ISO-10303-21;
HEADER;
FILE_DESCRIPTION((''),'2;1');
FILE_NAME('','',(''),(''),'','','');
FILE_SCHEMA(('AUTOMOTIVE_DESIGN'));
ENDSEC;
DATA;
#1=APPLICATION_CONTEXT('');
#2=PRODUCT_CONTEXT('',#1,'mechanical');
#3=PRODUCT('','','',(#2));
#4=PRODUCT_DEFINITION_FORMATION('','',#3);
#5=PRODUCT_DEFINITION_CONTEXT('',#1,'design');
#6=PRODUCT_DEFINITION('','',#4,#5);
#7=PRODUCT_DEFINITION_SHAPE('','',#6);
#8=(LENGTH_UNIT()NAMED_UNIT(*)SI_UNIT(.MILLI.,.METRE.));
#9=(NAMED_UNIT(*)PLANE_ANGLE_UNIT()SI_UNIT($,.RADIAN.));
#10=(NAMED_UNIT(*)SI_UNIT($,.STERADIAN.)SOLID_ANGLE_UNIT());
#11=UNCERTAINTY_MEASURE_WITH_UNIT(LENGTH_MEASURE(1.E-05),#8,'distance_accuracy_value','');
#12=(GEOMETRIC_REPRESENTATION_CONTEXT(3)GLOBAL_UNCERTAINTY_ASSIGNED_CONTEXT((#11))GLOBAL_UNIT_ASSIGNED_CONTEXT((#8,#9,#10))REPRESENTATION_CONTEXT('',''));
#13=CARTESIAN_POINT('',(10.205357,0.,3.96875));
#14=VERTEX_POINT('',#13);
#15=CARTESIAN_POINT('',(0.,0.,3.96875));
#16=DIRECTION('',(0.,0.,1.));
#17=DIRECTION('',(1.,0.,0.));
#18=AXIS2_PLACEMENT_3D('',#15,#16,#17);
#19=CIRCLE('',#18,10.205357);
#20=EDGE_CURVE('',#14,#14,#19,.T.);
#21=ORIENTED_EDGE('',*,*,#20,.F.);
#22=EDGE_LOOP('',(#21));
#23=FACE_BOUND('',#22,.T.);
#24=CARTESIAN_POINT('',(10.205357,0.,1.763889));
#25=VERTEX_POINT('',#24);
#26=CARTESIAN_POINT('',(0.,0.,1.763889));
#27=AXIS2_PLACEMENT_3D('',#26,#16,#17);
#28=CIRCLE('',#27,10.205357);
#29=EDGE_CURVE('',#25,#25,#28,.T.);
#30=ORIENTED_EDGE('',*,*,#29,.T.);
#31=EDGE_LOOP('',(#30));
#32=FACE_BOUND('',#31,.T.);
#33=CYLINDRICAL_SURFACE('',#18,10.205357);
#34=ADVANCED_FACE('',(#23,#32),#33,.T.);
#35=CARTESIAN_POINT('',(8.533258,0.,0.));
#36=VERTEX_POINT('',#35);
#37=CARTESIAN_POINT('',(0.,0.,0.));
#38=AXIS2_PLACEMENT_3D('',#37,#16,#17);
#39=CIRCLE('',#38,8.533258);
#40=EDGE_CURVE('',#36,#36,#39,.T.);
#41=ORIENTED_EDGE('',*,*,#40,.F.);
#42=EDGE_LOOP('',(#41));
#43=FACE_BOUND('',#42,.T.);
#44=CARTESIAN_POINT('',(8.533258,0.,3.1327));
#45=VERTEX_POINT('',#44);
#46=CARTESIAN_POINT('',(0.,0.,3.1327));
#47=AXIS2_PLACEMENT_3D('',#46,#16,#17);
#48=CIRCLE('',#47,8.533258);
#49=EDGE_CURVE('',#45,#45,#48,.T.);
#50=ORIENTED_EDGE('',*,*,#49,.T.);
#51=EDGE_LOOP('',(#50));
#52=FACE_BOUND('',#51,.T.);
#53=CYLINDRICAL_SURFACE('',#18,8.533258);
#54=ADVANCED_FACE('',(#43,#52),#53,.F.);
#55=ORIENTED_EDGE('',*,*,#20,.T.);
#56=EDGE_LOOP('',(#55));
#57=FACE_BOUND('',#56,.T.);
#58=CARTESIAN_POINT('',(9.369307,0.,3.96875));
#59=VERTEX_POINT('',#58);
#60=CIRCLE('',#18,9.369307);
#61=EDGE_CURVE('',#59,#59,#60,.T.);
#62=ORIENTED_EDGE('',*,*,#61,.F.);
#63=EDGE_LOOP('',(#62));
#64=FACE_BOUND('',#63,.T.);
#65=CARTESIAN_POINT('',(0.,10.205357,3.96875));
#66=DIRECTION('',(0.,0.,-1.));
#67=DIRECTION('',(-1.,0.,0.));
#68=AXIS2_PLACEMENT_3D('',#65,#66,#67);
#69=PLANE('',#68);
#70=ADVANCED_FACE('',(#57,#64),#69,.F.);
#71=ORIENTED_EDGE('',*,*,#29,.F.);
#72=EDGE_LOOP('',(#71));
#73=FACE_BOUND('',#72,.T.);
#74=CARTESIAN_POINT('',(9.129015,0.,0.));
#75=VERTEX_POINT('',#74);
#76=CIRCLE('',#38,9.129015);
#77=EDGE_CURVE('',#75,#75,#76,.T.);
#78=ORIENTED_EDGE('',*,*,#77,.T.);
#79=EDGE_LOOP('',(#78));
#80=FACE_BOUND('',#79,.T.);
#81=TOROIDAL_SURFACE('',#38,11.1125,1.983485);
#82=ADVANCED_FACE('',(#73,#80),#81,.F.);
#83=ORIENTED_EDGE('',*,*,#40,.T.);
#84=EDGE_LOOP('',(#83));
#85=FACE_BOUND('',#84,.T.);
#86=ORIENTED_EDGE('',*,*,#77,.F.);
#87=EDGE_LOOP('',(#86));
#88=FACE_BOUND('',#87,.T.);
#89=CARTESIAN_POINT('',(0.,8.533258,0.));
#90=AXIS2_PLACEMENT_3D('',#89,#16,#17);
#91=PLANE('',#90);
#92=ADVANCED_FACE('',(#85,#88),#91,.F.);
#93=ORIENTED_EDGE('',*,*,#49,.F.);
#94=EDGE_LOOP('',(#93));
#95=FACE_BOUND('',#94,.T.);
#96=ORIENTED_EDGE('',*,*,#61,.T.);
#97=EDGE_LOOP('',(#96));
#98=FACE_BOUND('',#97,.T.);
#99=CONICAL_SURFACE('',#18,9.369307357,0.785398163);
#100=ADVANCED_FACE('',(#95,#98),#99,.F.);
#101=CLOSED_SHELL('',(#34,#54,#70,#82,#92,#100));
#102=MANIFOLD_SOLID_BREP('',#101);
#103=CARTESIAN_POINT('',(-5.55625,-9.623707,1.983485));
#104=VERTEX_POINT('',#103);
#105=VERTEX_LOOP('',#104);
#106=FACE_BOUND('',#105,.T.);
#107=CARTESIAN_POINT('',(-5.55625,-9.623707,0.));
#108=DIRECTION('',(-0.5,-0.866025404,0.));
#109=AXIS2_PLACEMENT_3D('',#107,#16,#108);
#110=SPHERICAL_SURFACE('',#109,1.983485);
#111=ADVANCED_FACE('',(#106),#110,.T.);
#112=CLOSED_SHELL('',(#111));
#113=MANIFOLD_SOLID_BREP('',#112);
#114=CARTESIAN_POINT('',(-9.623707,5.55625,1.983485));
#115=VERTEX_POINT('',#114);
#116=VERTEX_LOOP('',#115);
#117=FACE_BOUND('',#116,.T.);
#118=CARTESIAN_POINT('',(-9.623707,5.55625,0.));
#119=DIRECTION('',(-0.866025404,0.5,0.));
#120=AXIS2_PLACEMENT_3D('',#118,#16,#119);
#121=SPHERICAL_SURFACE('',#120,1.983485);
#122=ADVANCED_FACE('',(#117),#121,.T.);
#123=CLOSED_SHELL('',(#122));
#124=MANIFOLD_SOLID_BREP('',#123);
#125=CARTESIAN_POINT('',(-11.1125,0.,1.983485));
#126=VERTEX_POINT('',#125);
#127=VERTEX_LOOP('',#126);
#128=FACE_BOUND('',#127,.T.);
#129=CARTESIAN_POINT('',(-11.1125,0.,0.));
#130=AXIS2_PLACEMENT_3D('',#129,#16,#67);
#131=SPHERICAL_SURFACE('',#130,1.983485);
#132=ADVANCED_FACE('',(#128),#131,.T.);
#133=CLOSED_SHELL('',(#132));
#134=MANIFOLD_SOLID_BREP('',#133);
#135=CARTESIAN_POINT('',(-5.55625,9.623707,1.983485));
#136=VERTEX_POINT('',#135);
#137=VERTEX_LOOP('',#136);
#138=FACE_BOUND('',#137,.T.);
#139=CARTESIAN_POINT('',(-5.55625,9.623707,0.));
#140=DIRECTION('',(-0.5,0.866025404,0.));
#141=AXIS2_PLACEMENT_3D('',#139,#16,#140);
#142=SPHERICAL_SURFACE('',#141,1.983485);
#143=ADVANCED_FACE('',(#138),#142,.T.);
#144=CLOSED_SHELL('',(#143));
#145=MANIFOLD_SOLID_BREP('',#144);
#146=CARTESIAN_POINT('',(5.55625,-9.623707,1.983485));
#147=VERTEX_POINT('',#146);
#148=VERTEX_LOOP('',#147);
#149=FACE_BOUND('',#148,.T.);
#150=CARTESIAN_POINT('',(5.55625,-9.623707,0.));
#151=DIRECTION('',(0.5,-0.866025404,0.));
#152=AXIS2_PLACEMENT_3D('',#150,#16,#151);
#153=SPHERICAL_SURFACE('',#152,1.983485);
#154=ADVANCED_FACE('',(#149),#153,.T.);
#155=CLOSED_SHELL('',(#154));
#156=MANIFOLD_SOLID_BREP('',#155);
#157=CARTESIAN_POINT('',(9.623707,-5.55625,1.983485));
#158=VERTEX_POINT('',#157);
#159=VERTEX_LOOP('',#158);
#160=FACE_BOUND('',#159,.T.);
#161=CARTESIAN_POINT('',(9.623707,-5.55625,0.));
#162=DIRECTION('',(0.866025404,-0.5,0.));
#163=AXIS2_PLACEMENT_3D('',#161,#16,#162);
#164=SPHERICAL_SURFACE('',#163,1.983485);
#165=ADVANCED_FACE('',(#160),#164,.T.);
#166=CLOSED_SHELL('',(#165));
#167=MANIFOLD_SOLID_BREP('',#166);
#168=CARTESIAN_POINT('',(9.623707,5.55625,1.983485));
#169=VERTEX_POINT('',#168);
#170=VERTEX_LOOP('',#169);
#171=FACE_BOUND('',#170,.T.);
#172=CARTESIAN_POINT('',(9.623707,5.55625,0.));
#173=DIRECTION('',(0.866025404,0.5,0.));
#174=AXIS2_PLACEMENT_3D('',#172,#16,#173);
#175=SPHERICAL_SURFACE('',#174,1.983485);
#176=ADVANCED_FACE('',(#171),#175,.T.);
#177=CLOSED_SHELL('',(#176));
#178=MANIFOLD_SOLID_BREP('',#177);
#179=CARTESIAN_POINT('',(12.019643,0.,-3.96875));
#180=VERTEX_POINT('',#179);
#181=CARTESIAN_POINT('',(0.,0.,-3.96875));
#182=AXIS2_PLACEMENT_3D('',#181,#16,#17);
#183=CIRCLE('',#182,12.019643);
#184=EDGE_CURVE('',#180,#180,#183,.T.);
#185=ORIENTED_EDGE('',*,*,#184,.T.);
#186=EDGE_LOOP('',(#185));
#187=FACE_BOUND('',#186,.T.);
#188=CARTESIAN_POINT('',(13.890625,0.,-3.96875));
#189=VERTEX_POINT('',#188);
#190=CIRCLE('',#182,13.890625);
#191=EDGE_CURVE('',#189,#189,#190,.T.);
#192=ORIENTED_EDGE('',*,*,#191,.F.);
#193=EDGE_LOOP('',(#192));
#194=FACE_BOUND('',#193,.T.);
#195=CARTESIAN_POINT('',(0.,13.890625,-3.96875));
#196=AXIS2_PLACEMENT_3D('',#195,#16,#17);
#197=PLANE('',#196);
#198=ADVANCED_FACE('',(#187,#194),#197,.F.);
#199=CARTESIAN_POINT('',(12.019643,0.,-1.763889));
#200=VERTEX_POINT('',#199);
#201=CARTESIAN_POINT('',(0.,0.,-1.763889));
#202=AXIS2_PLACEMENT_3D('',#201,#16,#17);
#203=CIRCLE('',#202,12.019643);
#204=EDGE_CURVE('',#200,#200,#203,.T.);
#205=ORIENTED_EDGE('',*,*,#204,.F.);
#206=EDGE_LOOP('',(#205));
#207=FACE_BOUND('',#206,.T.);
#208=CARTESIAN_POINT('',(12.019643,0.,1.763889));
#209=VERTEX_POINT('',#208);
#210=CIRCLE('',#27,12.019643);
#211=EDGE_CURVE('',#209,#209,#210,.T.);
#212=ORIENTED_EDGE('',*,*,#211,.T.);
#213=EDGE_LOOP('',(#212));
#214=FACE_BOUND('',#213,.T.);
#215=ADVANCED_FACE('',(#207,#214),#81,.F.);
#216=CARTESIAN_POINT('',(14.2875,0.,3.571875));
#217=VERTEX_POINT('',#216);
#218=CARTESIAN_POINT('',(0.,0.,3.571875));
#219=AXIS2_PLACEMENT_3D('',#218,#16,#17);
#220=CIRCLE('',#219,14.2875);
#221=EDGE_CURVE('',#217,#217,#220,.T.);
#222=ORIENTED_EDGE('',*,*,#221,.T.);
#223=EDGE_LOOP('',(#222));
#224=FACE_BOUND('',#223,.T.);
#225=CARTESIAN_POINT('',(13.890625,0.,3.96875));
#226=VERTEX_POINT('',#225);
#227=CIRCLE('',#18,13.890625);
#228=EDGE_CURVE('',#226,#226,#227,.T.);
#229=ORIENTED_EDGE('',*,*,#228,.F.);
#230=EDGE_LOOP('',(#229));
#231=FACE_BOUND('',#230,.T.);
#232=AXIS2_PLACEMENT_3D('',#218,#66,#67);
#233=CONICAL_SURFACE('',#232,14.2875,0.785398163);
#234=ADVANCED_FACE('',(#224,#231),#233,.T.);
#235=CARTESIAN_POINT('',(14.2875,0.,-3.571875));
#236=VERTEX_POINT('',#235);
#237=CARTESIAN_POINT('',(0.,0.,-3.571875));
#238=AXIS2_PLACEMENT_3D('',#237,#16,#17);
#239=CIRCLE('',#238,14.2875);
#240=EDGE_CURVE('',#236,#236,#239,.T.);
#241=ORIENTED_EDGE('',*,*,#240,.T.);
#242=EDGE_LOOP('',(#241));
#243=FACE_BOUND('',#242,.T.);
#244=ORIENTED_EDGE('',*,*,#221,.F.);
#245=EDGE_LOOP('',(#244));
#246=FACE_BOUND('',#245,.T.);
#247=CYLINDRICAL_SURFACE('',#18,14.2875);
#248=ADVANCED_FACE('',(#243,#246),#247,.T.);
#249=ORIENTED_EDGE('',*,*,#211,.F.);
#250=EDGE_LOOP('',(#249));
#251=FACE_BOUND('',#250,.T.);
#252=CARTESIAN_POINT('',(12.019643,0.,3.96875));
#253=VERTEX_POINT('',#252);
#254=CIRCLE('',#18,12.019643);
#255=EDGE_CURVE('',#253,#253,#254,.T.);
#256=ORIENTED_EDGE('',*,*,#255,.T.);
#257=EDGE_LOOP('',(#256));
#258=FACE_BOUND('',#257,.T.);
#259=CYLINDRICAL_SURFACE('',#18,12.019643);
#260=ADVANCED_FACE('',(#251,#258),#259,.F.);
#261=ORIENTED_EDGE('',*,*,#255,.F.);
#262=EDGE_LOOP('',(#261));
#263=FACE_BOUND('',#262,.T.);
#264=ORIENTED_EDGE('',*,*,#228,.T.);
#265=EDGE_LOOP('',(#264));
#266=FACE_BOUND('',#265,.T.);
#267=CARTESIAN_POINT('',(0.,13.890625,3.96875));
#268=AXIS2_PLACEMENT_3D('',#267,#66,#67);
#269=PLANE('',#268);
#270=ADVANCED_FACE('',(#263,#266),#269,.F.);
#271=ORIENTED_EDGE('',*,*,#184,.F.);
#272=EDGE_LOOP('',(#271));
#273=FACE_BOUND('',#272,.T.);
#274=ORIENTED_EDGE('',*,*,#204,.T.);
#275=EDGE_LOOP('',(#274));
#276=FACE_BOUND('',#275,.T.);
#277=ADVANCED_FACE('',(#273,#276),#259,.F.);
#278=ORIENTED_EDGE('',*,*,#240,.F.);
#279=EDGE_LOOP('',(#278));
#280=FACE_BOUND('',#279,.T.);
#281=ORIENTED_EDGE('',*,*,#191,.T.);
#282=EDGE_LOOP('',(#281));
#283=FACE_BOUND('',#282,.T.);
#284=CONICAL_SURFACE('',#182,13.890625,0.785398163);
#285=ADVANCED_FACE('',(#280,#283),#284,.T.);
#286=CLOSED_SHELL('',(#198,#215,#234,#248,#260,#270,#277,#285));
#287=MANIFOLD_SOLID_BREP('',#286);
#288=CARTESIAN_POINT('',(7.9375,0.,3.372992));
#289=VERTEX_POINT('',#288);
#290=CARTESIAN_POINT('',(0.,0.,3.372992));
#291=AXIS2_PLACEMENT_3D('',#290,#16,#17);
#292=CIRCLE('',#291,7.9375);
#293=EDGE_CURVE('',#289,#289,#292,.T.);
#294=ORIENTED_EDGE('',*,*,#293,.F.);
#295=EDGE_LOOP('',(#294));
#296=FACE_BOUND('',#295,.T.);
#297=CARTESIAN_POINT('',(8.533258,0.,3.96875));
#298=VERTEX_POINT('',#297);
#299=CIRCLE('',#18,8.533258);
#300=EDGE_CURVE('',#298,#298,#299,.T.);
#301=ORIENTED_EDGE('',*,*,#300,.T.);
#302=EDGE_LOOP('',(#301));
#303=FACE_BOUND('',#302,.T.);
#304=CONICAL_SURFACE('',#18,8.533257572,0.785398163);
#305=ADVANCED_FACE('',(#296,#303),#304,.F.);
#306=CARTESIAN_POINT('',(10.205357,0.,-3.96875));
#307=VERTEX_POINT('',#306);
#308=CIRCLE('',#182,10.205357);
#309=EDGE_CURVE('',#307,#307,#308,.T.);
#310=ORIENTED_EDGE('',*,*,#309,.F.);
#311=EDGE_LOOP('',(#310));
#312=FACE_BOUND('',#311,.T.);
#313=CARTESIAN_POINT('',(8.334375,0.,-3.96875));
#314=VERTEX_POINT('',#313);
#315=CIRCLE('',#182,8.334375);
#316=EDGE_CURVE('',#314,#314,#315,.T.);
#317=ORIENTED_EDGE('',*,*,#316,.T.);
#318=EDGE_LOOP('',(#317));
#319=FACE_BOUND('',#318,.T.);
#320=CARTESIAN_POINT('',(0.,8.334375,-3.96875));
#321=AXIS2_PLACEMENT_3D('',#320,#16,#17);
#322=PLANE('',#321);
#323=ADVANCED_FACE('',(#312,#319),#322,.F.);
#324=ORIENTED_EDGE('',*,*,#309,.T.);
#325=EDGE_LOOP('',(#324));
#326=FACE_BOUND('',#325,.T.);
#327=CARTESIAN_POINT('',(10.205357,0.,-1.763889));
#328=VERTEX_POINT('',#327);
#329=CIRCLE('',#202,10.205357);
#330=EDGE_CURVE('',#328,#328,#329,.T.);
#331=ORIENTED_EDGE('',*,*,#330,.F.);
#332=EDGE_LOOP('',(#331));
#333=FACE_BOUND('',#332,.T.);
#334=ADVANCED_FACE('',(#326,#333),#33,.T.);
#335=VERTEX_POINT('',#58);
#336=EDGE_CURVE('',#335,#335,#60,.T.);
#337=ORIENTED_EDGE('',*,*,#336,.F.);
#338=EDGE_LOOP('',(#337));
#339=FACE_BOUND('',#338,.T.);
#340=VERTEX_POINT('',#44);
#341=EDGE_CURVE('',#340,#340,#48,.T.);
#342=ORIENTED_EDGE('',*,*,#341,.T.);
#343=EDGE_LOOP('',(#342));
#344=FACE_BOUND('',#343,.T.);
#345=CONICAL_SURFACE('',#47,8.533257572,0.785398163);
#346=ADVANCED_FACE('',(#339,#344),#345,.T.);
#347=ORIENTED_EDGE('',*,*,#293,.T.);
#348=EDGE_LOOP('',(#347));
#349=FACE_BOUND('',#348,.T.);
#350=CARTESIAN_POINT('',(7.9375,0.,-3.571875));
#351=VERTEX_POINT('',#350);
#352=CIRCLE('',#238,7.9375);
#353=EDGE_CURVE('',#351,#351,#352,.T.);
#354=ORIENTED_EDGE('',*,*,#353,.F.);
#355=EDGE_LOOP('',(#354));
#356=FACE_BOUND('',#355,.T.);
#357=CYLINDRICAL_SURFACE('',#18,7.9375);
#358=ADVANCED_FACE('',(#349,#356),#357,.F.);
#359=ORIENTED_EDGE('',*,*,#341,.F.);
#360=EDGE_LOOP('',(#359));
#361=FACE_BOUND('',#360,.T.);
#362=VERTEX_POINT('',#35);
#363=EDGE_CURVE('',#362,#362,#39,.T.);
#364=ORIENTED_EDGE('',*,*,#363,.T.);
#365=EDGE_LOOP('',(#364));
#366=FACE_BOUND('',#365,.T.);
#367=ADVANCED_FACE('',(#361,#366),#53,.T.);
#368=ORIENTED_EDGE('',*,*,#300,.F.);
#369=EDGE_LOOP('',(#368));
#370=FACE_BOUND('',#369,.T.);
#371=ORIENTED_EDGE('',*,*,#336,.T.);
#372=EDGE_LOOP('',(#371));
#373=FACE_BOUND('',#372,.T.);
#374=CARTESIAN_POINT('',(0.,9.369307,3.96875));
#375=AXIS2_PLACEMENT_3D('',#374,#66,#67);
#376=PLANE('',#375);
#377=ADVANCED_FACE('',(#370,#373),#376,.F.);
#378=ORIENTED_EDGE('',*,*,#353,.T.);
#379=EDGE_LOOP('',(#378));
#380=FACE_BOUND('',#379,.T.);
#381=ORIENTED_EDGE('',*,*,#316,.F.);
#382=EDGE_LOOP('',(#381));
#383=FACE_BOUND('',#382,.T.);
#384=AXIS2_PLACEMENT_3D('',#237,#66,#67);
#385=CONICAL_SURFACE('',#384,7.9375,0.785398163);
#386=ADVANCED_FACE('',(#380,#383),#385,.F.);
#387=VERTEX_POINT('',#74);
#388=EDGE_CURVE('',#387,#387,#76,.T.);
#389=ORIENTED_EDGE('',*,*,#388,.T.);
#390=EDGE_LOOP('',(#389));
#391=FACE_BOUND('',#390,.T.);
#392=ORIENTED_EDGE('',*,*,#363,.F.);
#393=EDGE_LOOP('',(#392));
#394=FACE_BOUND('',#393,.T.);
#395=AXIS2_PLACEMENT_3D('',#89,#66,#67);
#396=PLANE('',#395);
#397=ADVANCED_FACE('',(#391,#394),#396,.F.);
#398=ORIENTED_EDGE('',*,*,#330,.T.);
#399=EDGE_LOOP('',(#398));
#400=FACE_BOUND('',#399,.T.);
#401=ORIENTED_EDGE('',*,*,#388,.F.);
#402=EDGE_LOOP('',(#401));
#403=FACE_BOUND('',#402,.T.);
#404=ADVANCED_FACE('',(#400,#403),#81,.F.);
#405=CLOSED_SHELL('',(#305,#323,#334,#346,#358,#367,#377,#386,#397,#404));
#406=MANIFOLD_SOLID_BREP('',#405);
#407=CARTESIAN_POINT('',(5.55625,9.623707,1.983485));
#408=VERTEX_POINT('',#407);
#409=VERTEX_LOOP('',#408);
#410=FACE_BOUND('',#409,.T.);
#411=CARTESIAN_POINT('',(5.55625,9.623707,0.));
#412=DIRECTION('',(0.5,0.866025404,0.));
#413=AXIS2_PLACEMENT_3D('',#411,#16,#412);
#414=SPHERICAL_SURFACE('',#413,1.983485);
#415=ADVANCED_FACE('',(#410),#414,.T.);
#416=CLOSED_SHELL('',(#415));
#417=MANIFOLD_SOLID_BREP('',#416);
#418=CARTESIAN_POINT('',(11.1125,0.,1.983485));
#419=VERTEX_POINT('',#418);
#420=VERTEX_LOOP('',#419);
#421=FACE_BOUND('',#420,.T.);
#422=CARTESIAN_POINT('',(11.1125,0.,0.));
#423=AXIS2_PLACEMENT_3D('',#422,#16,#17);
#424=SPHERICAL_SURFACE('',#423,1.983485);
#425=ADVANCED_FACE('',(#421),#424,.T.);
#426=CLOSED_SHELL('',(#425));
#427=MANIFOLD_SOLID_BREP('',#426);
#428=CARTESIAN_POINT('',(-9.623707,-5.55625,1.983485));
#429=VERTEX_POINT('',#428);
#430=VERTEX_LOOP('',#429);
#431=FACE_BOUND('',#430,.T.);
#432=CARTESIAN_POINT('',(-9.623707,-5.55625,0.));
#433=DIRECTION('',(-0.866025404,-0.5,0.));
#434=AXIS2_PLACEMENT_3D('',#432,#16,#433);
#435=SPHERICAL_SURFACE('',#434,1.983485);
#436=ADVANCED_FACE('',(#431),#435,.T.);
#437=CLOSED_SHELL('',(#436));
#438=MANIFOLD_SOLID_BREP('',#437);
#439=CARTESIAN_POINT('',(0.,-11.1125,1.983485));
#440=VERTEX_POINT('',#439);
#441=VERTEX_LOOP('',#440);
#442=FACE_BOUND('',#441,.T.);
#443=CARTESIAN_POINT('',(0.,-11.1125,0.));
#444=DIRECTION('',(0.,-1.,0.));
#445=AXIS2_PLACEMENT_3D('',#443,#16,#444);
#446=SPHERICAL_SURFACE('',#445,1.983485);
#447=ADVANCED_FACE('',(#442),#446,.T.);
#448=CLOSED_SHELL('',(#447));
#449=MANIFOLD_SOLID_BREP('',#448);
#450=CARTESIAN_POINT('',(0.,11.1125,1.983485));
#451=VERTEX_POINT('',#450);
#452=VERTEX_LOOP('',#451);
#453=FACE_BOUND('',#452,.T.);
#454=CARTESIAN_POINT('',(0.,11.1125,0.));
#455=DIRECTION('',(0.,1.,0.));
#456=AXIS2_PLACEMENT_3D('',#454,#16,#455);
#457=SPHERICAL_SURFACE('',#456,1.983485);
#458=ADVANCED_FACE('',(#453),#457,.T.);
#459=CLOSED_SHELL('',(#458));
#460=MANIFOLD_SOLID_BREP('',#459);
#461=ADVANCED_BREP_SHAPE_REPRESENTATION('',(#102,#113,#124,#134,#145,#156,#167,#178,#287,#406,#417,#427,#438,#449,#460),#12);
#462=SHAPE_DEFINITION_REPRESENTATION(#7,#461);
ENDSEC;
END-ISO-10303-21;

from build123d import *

# Parameters (mm, degrees)
CIRPATTERN1_COUNT = 12


with BuildPart() as part:
    # Sketch1 → Revolve1 (revolve)
    with BuildSketch(Plane(origin=(0, 0, 0), x_dir=(0, 0, -1), z_dir=(1, 0, 0))):
        with BuildLine():
            Line((3.571875, 14.2875), (-3.571875, 14.2875))
            Line((-3.571875, 14.2875), (-3.96875, 13.890625))
            Line((-3.96875, 13.890625), (-3.96875, 12.019642857))
            Line((-3.96875, 12.019642857), (-1.763888889, 12.019642857))
            ThreePointArc((-1.763888889, 12.019642857), (0, 13.095984856), (1.763888889, 12.019642857))
            Line((1.763888889, 12.019642857), (3.96875, 12.019642857))
            Line((3.96875, 12.019642857), (3.96875, 13.890625))
            Line((3.96875, 13.890625), (3.571875, 14.2875))
        make_face()
    revolve(axis=Axis((0, 0, 3.96875), (0, 0, -1)))


with BuildPart() as body_2:
    # Sketch2 → Revolve2 (revolve)
    with BuildSketch(Plane(origin=(0, 0, 0), x_dir=(0, 0, -1), z_dir=(1, 0, 0))):
        with BuildLine():
            Line((-3.96875, 10.205357143), (-1.763888889, 10.205357143))
            ThreePointArc((-1.763888889, 10.205357143), (-1.033176668, 9.419349638), (0, 9.129015144))
            Line((0, 9.129015144), (0, 8.533257572))
            Line((0, 8.533257572), (-3.132700214, 8.533257572))
            Line((-3.132700214, 8.533257572), (-3.96875, 9.369307357))
            Line((-3.96875, 9.369307357), (-3.96875, 10.205357143))
        make_face()
    revolve(axis=Axis((0, 0, 3.96875), (0, 0, -1)))


with BuildPart() as body_3:
    # Sketch3 → Revolve3 (revolve)
    with BuildSketch(Plane(origin=(0, 0, 0), x_dir=(0, 0, -1), z_dir=(1, 0, 0))):
        with BuildLine():
            Line((-3.96875, 9.369307357), (-3.132700214, 8.533257572))
            Line((-3.132700214, 8.533257572), (0, 8.533257572))
            Line((0, 8.533257572), (0, 9.129015144))
            ThreePointArc((0, 9.129015144), (1.033176668, 9.419349638), (1.763888889, 10.205357143))
            Line((1.763888889, 10.205357143), (3.96875, 10.205357143))
            Line((3.96875, 10.205357143), (3.96875, 8.334375))
            Line((3.96875, 8.334375), (3.571875, 7.9375))
            Line((3.571875, 7.9375), (-3.372992428, 7.9375))
            Line((-3.372992428, 7.9375), (-3.96875, 8.533257572))
            Line((-3.96875, 8.533257572), (-3.96875, 9.369307357))
        make_face()
    revolve(axis=Axis((0, 0, 3.96875), (0, 0, -1)))


with BuildPart() as body_4:
    # Sketch4 → Revolve4 (revolve)
    with BuildSketch(Plane(origin=(0, 0, 0), x_dir=(0, 0, -1), z_dir=(1, 0, 0))):
        with BuildLine():
            Line((-1.983484856, 11.1125), (1.983484856, 11.1125))
            ThreePointArc((1.983484856, 11.1125), (0, 13.095984856), (-1.983484856, 11.1125))
        make_face()
    revolve(axis=Axis((0, 11.1125, 1.983484856), (0, 0, -1)))


with BuildPart() as cirpattern1_1:
    # CirPattern1: pattern copy
    add(body_4.part.rotate(Axis((0, 0, -3.96875), (0, 0, 1)), 1 * 360 / CIRPATTERN1_COUNT))


with BuildPart() as cirpattern1_2:
    # CirPattern1: pattern copy
    add(body_4.part.rotate(Axis((0, 0, -3.96875), (0, 0, 1)), 2 * 360 / CIRPATTERN1_COUNT))


with BuildPart() as cirpattern1_3:
    # CirPattern1: pattern copy
    add(body_4.part.rotate(Axis((0, 0, -3.96875), (0, 0, 1)), 3 * 360 / CIRPATTERN1_COUNT))


with BuildPart() as cirpattern1_4:
    # CirPattern1: pattern copy
    add(body_4.part.rotate(Axis((0, 0, -3.96875), (0, 0, 1)), 4 * 360 / CIRPATTERN1_COUNT))


with BuildPart() as cirpattern1_5:
    # CirPattern1: pattern copy
    add(body_4.part.rotate(Axis((0, 0, -3.96875), (0, 0, 1)), 5 * 360 / CIRPATTERN1_COUNT))


with BuildPart() as cirpattern1_6:
    # CirPattern1: pattern copy
    add(body_4.part.rotate(Axis((0, 0, -3.96875), (0, 0, 1)), 6 * 360 / CIRPATTERN1_COUNT))


with BuildPart() as cirpattern1_7:
    # CirPattern1: pattern copy
    add(body_4.part.rotate(Axis((0, 0, -3.96875), (0, 0, 1)), 7 * 360 / CIRPATTERN1_COUNT))


with BuildPart() as cirpattern1_8:
    # CirPattern1: pattern copy
    add(body_4.part.rotate(Axis((0, 0, -3.96875), (0, 0, 1)), 8 * 360 / CIRPATTERN1_COUNT))


with BuildPart() as cirpattern1_9:
    # CirPattern1: pattern copy
    add(body_4.part.rotate(Axis((0, 0, -3.96875), (0, 0, 1)), 9 * 360 / CIRPATTERN1_COUNT))


with BuildPart() as cirpattern1_10:
    # CirPattern1: pattern copy
    add(body_4.part.rotate(Axis((0, 0, -3.96875), (0, 0, 1)), 10 * 360 / CIRPATTERN1_COUNT))


with BuildPart() as cirpattern1_11:
    # CirPattern1: pattern copy
    add(body_4.part.rotate(Axis((0, 0, -3.96875), (0, 0, 1)), 11 * 360 / CIRPATTERN1_COUNT))


solid = Compound([part.part, body_2.part, body_3.part, body_4.part, cirpattern1_1.part, cirpattern1_2.part, cirpattern1_3.part, cirpattern1_4.part, cirpattern1_5.part, cirpattern1_6.part, cirpattern1_7.part, cirpattern1_8.part, cirpattern1_9.part, cirpattern1_10.part, cirpattern1_11.part])
